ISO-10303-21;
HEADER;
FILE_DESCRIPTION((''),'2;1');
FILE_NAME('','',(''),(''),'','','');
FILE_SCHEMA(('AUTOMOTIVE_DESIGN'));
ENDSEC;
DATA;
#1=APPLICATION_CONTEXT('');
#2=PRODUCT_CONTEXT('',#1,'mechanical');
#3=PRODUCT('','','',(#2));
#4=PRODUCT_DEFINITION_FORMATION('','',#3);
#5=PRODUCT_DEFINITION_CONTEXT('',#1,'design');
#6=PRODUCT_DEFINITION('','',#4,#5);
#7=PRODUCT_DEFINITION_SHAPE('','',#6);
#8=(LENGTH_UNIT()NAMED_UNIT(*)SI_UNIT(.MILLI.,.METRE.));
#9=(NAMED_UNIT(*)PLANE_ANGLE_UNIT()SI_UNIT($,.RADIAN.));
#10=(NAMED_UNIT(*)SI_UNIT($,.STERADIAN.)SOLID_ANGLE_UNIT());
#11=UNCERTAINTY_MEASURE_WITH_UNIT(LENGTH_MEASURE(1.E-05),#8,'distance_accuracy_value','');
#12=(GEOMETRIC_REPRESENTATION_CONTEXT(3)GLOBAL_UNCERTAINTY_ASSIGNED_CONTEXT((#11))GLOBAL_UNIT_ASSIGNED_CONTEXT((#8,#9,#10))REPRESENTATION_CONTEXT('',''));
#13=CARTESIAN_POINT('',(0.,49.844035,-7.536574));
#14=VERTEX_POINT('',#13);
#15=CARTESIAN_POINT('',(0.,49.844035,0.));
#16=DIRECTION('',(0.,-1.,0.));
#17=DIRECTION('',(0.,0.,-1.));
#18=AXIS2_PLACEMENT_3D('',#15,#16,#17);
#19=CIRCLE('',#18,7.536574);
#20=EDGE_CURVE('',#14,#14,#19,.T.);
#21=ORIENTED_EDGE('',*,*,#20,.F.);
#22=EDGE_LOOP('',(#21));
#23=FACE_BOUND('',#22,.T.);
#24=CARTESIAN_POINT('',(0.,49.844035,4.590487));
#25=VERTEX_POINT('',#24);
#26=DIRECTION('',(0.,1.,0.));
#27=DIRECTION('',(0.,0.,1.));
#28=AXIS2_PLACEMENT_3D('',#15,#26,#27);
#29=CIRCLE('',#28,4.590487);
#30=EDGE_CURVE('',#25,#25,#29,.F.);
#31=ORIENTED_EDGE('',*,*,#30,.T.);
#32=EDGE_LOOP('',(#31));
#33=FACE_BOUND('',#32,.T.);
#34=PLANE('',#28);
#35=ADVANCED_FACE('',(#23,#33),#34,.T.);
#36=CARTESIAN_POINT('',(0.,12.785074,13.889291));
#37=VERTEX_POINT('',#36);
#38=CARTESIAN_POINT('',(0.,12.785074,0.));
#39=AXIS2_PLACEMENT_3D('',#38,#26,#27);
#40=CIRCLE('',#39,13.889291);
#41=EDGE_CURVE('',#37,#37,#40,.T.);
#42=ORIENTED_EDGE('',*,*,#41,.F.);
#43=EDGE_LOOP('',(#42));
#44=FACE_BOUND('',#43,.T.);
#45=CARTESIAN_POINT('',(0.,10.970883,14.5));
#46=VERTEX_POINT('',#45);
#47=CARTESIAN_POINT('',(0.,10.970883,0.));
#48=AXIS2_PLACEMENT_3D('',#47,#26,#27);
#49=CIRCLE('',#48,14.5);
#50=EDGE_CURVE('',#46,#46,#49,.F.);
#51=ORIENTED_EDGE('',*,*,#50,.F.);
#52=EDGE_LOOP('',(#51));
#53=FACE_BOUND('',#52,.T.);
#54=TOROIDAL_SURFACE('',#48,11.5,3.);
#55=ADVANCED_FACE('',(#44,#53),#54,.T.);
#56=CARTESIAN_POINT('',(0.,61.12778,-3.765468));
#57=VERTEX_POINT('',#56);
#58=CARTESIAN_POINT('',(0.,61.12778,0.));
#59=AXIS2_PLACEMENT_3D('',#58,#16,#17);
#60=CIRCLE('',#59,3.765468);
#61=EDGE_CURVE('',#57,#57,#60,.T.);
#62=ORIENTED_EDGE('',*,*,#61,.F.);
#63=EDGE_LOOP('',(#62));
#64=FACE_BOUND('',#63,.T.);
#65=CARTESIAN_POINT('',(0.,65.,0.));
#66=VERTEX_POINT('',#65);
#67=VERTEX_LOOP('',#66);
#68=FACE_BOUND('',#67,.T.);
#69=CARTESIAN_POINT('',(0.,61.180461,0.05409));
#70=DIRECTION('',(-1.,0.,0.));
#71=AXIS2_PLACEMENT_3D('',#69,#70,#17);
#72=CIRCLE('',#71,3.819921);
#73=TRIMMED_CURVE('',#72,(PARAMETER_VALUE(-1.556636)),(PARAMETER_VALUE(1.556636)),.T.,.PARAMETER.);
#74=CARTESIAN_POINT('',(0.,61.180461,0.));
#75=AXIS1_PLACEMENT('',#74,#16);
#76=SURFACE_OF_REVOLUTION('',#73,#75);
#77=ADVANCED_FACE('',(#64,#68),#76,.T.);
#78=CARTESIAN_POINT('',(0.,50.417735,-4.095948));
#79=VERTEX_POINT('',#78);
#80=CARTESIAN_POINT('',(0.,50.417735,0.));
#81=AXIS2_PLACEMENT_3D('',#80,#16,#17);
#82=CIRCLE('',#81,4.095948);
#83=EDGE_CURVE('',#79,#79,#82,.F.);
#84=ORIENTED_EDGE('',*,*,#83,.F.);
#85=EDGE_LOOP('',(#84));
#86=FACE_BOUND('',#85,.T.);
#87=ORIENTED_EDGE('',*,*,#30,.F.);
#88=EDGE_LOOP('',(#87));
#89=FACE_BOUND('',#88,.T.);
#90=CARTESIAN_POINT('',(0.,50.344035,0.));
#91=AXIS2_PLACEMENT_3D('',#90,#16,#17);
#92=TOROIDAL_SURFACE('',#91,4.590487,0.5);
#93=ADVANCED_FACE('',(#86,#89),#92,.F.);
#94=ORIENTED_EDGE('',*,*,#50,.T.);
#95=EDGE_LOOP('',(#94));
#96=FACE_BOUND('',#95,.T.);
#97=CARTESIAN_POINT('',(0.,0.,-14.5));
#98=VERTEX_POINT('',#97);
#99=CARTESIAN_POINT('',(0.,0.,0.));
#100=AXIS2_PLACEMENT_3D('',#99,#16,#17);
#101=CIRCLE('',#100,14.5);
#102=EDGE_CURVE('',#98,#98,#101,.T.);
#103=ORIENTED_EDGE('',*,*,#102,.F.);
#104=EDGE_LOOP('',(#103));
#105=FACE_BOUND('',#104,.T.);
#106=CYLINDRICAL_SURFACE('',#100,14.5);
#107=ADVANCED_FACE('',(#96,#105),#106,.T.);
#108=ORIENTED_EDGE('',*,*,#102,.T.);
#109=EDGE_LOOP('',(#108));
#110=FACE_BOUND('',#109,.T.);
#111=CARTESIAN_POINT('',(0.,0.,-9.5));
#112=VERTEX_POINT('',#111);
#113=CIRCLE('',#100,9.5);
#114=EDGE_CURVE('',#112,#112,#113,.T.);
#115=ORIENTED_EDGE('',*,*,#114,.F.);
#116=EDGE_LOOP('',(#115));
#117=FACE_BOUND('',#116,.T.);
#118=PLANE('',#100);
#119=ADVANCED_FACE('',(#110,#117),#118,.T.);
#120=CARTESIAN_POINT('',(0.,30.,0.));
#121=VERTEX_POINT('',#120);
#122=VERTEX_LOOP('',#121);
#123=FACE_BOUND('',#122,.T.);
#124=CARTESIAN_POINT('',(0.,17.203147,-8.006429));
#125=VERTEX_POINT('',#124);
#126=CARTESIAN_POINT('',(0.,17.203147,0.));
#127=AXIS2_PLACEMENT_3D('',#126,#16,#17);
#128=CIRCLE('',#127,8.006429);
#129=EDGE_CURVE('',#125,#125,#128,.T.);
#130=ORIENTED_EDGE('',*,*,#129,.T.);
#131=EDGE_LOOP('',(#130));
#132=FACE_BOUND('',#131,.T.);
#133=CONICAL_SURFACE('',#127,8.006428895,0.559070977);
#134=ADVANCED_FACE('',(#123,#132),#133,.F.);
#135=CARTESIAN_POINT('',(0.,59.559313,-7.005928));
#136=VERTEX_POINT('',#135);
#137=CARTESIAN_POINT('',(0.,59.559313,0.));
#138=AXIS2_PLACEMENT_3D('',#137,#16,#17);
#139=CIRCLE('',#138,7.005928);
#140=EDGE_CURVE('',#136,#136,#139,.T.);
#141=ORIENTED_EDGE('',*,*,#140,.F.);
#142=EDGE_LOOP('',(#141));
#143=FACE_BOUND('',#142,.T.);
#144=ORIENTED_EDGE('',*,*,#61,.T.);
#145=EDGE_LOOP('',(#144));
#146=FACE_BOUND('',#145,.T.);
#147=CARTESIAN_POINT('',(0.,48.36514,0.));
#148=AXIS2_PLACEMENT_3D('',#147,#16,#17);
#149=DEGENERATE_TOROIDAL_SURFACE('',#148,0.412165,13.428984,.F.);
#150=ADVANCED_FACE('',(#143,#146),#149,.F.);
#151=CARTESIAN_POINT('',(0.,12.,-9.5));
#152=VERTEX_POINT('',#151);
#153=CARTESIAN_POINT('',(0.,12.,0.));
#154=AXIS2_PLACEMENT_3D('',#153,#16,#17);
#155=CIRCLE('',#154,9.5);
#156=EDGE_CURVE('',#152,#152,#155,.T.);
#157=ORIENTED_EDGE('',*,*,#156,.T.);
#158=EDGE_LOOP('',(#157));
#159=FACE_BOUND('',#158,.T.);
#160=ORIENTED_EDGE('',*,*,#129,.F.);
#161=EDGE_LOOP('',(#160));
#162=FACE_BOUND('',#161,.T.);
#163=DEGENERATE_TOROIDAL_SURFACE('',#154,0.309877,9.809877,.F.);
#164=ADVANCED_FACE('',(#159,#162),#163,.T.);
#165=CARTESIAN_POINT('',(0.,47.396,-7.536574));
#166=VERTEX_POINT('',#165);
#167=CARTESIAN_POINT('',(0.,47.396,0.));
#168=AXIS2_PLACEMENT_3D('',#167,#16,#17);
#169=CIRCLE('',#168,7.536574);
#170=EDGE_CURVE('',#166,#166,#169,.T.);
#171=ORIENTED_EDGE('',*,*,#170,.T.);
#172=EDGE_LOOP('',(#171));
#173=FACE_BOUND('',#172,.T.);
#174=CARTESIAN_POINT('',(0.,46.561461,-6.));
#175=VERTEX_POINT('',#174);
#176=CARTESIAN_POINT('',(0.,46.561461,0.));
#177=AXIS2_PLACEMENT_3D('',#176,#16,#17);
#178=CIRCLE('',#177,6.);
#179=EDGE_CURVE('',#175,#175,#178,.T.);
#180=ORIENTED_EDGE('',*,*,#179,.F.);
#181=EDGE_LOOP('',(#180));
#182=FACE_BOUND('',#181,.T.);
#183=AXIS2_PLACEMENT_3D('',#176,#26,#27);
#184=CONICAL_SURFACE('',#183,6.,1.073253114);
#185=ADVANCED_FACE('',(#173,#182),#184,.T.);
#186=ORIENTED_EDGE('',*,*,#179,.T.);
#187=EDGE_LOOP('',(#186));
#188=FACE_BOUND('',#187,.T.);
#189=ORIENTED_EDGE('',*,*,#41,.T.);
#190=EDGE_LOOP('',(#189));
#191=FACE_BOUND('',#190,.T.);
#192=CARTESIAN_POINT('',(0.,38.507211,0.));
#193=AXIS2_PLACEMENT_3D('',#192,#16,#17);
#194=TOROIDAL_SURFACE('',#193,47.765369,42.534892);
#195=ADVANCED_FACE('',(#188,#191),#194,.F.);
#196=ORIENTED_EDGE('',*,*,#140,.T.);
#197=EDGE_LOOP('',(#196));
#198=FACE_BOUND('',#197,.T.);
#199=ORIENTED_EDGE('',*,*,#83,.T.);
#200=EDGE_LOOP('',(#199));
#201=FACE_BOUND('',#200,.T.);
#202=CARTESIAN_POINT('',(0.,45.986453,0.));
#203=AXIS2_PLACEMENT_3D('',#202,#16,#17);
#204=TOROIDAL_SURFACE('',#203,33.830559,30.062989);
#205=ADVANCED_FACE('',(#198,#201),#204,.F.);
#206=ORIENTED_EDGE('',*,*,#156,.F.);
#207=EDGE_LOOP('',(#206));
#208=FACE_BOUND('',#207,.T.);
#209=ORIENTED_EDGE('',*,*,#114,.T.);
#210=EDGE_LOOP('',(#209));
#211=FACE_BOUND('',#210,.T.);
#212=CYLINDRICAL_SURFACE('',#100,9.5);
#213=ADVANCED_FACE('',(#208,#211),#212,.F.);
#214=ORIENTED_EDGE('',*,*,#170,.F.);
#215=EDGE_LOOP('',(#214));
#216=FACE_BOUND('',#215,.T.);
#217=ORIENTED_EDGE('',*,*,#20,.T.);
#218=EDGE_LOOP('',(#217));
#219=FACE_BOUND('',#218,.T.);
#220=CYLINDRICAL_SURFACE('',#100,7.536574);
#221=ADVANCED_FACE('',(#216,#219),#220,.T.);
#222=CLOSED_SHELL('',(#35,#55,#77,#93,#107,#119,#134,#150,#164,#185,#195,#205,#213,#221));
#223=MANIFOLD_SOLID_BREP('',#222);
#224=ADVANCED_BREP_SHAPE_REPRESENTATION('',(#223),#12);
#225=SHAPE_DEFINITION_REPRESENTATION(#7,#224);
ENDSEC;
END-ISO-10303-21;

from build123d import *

# Parameters (mm, degrees)
FILLET1_R = 3
FILLET2_R = 0.5


with BuildPart() as part:
    # Sketch1 → Revolve2 (revolve)
    with BuildSketch(Plane.XY, mode=Mode.PRIVATE) as revolve2_sk:
        with BuildLine():
            Line((9.5, 12), (9.5, 0))
            Line((9.5, 0), (14.5, 0))
            Line((14.5, 0), (14.5, 12))
            ThreePointArc((14.5, 12), (6.46129463, 28.348941445), (6, 46.56146125))
            Line((6, 46.56146125), (7.536573788, 47.396000215))
            Line((7.536573788, 47.396000215), (7.536573788, 49.844035403))
            Line((7.536573788, 49.844035403), (4.016092882, 49.844035403))
            ThreePointArc((4.016092882, 49.844035403), (5.09741657, 54.8289558), (7.005928337, 59.559312565))
            ThreePointArc((7.005928337, 59.559312565), (5.43849666, 60.452627999), (3.765468303, 61.127780309))
            ThreePointArc((3.765468303, 61.127780309), (2.684487968, 63.843540801), (0, 65))
            Line((0, 65), (0, 30))
            Line((0, 30), (8.006428895, 17.203147345))
            ThreePointArc((8.006428895, 17.203147345), (9.11921693, 14.706635224), (9.5, 12))
        make_face()
    revolve(revolve2_sk.sketch.rotate(Axis((0, 0, 0), (0, 1, 0)), 90), axis=Axis((0, 0, 0), (0, 1, 0)))

    # Fillet1
    fillet1_edges = [part.edges().sort_by_distance(p)[0] for p in [
        (0, 12, 14.5),
    ]]
    fillet(fillet1_edges, radius=FILLET1_R)

    # Fillet2
    fillet2_edges = [part.edges().sort_by_distance(p)[0] for p in [
        (0, 49.844035403, 4.016092882),
    ]]
    fillet(fillet2_edges, radius=FILLET2_R)


solid = part.part
